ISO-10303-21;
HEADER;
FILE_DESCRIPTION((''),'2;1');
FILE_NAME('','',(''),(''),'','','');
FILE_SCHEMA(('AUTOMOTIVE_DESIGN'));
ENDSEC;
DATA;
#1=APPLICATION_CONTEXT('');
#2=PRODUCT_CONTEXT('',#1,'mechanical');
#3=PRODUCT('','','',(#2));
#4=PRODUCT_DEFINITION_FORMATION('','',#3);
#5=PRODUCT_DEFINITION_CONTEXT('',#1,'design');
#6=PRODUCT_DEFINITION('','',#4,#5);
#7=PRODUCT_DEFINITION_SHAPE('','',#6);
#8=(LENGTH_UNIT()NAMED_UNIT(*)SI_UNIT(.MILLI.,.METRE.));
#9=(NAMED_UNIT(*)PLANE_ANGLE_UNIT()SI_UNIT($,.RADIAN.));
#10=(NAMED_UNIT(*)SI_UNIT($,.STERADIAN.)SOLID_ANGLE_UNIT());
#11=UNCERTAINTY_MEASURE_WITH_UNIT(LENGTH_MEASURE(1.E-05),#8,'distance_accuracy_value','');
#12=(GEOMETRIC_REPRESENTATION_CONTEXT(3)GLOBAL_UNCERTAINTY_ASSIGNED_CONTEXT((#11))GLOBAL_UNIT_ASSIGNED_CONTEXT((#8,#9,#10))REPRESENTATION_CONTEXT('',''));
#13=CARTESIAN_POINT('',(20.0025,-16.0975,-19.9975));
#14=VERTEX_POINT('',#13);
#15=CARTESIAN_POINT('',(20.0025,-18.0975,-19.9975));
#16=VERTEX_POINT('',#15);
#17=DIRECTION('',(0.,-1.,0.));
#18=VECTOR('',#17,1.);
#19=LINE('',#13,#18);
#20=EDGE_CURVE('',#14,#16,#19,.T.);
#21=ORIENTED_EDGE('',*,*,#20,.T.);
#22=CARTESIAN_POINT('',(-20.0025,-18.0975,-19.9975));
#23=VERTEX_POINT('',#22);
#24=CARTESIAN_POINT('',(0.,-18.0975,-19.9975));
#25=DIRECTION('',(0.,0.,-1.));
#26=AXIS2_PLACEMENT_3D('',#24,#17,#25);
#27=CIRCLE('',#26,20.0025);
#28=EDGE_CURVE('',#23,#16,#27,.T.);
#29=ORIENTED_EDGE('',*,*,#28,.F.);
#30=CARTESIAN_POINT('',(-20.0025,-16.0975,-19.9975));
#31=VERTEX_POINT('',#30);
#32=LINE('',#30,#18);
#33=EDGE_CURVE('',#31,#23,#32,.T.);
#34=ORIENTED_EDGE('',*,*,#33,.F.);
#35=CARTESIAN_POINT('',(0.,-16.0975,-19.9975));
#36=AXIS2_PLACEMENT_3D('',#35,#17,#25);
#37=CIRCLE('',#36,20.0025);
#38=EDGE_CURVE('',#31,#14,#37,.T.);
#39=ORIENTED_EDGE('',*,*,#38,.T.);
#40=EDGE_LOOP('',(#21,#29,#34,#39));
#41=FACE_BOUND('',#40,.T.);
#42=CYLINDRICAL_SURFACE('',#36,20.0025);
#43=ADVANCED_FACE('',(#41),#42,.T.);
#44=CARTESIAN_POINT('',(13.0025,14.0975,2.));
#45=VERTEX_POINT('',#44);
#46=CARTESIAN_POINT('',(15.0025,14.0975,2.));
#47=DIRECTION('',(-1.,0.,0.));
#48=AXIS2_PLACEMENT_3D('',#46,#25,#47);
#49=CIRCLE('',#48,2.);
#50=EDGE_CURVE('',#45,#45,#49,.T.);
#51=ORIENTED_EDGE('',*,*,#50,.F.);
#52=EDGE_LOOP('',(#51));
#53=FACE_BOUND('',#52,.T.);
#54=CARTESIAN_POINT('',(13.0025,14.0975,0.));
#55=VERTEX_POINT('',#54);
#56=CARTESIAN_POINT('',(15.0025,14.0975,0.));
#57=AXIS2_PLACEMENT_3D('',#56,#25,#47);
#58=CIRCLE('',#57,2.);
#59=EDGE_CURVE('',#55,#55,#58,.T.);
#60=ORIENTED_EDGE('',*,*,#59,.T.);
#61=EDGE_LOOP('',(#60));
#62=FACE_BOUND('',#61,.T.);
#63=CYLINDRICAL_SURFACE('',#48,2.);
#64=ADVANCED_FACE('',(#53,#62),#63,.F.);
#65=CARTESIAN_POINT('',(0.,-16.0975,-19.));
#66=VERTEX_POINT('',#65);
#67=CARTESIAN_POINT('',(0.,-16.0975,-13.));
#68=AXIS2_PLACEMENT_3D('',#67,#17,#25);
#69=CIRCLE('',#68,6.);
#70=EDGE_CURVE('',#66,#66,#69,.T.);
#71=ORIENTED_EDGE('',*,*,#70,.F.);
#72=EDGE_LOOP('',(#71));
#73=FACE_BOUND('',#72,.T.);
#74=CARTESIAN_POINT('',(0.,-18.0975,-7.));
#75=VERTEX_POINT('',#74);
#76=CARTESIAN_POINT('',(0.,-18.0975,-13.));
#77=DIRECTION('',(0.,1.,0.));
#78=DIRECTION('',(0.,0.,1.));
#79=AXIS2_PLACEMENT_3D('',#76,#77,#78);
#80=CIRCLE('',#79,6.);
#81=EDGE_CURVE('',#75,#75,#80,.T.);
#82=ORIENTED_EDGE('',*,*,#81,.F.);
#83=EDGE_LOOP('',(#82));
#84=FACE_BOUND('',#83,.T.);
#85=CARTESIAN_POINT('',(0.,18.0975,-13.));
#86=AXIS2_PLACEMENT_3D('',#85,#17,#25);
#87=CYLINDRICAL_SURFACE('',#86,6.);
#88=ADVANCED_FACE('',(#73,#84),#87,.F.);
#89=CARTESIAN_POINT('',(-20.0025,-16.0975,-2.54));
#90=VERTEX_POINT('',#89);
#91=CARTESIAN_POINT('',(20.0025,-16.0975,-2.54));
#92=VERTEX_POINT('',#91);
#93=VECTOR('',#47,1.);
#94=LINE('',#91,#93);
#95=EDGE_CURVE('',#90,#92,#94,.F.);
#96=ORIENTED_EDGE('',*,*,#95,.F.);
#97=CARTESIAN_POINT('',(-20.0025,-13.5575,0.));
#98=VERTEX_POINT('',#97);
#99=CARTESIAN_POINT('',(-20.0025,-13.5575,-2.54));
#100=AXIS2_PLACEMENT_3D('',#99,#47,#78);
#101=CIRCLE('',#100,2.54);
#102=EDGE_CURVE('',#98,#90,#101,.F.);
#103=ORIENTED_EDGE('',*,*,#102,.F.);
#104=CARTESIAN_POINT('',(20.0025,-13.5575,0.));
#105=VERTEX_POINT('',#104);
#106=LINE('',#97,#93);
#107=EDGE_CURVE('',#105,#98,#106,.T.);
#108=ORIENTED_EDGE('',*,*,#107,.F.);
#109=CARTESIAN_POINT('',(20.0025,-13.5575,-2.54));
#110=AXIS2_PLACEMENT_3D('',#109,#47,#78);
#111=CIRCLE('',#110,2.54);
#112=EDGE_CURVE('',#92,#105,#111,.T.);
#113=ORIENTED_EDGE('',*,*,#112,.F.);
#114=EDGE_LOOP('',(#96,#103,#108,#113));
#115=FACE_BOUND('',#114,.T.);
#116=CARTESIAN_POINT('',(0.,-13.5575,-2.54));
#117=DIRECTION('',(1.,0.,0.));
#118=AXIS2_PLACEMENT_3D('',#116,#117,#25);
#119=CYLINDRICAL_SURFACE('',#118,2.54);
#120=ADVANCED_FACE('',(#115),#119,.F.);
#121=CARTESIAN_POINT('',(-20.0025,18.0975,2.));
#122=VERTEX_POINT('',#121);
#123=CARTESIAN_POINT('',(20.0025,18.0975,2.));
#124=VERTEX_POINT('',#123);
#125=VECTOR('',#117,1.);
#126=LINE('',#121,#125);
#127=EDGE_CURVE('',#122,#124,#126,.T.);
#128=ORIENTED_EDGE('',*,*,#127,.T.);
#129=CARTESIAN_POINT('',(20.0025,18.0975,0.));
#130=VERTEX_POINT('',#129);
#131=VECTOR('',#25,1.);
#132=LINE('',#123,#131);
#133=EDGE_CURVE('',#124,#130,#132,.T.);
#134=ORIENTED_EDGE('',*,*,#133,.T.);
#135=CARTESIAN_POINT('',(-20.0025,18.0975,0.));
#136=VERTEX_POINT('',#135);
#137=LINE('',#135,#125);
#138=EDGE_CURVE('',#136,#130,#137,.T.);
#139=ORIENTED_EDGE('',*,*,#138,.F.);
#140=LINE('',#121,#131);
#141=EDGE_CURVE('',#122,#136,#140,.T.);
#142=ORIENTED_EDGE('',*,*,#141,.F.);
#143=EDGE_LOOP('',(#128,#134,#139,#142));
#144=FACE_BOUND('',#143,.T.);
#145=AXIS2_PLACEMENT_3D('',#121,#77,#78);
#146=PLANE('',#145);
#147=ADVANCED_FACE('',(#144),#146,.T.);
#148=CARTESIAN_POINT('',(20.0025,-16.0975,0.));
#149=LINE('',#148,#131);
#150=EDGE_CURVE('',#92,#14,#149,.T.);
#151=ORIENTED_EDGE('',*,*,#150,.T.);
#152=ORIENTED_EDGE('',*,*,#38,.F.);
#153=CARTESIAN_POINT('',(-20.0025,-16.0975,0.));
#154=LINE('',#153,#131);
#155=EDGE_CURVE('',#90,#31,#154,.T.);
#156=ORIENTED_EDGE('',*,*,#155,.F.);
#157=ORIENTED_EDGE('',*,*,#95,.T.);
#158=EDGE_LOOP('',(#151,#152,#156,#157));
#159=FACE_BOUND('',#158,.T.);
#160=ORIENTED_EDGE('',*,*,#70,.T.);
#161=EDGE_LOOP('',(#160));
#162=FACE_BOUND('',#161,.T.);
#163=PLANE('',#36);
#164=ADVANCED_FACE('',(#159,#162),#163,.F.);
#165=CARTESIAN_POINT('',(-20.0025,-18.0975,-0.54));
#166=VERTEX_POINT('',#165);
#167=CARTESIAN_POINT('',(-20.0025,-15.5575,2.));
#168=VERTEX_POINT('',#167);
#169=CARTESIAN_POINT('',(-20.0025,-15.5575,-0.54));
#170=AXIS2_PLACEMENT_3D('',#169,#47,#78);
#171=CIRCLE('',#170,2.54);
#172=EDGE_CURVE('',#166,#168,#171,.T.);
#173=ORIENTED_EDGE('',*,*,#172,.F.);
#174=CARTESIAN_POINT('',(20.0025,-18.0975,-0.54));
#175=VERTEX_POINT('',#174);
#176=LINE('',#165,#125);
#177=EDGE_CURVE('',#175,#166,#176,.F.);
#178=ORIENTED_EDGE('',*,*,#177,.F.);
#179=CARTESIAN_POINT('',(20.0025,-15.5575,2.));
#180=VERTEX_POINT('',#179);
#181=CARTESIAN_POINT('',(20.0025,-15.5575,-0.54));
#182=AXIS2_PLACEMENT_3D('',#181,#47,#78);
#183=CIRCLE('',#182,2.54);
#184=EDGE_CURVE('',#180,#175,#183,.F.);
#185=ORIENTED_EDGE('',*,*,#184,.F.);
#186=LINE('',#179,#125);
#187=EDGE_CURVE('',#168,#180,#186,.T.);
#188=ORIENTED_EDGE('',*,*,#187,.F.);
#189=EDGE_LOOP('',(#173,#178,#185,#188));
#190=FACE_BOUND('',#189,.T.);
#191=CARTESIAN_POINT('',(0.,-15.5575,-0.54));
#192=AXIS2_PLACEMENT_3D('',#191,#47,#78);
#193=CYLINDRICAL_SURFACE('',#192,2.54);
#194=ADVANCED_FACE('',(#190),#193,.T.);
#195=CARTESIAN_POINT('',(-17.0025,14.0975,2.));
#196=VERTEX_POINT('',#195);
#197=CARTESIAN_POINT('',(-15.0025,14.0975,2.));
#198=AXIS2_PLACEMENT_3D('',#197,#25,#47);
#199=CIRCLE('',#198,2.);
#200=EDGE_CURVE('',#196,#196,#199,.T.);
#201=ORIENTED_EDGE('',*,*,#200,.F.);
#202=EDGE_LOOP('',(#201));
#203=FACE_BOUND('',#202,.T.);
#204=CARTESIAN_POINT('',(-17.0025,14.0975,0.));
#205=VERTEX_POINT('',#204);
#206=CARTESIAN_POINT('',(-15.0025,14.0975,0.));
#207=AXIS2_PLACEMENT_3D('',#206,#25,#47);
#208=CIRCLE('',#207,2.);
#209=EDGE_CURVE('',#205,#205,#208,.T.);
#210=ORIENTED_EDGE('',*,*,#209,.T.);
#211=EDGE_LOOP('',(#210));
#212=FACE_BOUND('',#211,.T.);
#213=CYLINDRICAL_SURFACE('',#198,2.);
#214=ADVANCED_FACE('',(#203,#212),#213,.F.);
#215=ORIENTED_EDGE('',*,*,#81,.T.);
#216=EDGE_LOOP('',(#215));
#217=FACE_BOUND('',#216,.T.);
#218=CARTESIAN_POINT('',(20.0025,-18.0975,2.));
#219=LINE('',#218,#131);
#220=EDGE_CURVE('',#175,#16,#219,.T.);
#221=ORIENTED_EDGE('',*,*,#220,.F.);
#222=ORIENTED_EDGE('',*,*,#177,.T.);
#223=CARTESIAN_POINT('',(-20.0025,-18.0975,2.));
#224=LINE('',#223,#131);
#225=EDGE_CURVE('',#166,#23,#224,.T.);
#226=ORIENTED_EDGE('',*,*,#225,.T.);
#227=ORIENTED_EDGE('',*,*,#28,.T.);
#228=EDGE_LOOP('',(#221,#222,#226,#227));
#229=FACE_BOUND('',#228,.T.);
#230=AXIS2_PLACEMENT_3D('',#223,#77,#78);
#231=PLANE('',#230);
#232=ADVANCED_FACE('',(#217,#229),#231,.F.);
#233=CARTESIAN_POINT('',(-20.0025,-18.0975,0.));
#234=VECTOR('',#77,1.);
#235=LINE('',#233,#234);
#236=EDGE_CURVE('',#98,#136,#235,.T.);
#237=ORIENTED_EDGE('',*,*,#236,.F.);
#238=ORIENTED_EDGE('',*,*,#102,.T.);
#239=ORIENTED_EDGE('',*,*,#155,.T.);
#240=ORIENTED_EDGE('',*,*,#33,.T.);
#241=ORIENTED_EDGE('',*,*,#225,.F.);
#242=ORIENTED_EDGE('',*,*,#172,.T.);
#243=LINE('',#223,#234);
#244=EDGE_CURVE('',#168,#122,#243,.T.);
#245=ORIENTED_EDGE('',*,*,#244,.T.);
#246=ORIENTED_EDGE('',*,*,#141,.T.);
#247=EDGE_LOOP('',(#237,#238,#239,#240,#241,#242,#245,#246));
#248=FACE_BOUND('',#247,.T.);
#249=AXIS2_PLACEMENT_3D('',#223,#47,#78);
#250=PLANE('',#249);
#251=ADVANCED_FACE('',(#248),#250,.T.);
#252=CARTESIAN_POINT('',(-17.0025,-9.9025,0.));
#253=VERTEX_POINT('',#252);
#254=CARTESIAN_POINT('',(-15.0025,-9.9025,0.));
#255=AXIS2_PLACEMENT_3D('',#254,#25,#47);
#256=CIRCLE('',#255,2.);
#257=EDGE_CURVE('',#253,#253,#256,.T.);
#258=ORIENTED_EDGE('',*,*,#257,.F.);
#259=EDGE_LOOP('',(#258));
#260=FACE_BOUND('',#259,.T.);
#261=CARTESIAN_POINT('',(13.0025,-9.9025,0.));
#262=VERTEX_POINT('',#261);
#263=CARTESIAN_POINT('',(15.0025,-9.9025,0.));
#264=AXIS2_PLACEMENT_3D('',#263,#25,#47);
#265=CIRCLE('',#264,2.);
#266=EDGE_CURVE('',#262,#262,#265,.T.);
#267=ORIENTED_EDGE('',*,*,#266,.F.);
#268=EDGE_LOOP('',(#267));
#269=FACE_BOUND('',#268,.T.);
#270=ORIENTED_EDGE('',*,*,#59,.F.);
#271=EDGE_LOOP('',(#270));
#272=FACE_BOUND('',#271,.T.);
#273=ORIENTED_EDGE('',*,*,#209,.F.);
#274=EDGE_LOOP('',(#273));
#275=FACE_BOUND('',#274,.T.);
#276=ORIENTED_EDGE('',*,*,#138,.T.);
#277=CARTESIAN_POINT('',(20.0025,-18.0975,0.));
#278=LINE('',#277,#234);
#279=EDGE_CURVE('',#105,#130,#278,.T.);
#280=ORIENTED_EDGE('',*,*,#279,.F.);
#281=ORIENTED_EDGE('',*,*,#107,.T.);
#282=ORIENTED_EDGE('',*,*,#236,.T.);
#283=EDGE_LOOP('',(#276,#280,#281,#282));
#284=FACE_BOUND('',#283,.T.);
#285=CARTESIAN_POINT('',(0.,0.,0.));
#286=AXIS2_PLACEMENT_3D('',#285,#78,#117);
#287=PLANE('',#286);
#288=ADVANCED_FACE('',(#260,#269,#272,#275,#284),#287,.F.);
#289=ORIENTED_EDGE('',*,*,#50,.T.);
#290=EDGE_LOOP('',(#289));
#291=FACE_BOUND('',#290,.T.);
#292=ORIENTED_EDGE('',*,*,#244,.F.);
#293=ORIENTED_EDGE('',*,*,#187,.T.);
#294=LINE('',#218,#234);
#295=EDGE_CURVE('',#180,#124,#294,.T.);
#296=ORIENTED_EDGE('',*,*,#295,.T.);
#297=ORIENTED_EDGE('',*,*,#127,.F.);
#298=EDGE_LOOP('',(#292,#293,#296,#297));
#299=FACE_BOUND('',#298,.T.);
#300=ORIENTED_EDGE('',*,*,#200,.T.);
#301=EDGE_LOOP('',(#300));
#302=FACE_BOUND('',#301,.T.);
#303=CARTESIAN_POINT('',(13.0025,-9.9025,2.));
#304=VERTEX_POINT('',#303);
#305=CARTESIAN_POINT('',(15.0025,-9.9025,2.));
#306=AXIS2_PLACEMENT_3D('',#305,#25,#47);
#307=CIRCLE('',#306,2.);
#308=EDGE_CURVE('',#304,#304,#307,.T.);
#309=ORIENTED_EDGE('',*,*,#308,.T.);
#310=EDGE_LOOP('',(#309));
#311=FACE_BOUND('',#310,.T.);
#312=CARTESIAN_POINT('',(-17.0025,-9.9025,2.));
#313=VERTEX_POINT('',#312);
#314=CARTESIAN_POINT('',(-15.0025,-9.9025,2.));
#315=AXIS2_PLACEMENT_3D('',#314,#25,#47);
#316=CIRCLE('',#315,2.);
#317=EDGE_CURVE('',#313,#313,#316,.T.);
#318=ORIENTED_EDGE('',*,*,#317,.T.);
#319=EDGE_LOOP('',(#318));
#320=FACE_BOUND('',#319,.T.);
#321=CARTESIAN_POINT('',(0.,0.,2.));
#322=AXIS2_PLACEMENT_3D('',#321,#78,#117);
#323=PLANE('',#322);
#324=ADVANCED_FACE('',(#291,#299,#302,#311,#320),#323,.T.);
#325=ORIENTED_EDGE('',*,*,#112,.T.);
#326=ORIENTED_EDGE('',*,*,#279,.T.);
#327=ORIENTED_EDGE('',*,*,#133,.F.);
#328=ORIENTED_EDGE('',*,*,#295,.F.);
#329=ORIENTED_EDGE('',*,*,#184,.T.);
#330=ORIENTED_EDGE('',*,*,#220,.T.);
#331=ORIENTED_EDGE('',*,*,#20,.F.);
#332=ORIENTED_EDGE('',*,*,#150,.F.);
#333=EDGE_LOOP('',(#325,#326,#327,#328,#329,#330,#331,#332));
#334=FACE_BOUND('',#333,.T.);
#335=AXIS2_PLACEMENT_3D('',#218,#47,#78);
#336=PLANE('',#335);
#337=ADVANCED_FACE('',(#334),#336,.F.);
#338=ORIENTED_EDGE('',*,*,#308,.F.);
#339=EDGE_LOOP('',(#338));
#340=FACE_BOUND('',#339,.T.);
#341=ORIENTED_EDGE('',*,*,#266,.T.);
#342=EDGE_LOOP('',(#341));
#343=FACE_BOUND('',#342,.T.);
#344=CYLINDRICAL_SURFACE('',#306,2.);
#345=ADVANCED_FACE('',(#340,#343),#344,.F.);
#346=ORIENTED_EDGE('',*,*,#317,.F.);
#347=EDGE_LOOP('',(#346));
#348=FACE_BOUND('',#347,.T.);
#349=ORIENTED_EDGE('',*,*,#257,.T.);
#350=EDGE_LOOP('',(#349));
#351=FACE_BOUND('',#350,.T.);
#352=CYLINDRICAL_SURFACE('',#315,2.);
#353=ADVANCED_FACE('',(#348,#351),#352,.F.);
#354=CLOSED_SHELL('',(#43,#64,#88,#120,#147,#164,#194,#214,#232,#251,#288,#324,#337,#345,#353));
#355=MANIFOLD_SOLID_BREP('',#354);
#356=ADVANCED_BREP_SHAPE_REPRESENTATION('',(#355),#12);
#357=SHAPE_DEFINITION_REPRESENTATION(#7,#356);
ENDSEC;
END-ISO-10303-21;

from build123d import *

# Parameters (mm, degrees)
SKETCH1_W               = 40.005
SKETCH1_H               = 36.195
BOSS_EXTRUDE1_DEPTH     = 2
BOSS_EXTRUDE3_DEPTH     = 2
FILLET1_R               = 2.54
SKETCH4_R               = 2
CUT_EXTRUDE1_DEPTH      = 49.245409238
CUT_EXTRUDE2_DEPTH      = 58.534146654
CUT_EXTRUDE2_DEPTH_BACK = 58.534146654
SKETCH5_R               = 6


with BuildPart() as part:
    # Sketch1 → Boss-Extrude1 (new body)
    with BuildSketch(Plane.XY):
        Rectangle(SKETCH1_W, SKETCH1_H)
    extrude(amount=BOSS_EXTRUDE1_DEPTH)

    # Sketch3 → Boss-Extrude3 (add)
    with BuildSketch(Plane.XZ.offset(18.0975)):
        with BuildLine():
            Line((20.0025, 0), (-20.0025, 0))
            Line((-20.0025, 0), (-20.0025, -19.9975))
            ThreePointArc((-20.0025, -19.9975), (0, -40), (20.0025, -19.9975))
            Line((20.0025, -19.9975), (20.0025, 0))
        make_face()
    extrude(amount=-BOSS_EXTRUDE3_DEPTH)

    # Fillet1
    fillet1_edges = [part.edges().sort_by_distance(p)[0] for p in [
        (0, -16.0975, 0),
        (0, -18.0975, 2),
    ]]
    fillet(fillet1_edges, radius=FILLET1_R)

    # Sketch4 → Cut-Extrude1 (cut, through all)
    with BuildSketch(Plane(origin=(0, 0, 0), x_dir=(-1, 0, 0), z_dir=(0, 0, -1))):
        with Locations((-15.0025, 14.0975)):
            Circle(SKETCH4_R)
        with Locations((15.0025, 14.0975)):
            Circle(SKETCH4_R)
        with Locations((15.0025, -9.9025)):
            Circle(SKETCH4_R)
        with Locations((-15.0025, -9.9025)):
            Circle(SKETCH4_R)
    extrude(amount=-CUT_EXTRUDE1_DEPTH, mode=Mode.SUBTRACT)

    # Sketch5 → Cut-Extrude2 (cut, two sides: drawn at the far end of the back side and taken through both)
    with BuildSketch(Plane.XZ.offset(18.0975).offset(-CUT_EXTRUDE2_DEPTH_BACK)):
        with Locations(Location((0, -13, 0), (0, 0, 270))):
            Circle(SKETCH5_R)
    extrude(amount=CUT_EXTRUDE2_DEPTH + CUT_EXTRUDE2_DEPTH_BACK, mode=Mode.SUBTRACT)


solid = part.part
